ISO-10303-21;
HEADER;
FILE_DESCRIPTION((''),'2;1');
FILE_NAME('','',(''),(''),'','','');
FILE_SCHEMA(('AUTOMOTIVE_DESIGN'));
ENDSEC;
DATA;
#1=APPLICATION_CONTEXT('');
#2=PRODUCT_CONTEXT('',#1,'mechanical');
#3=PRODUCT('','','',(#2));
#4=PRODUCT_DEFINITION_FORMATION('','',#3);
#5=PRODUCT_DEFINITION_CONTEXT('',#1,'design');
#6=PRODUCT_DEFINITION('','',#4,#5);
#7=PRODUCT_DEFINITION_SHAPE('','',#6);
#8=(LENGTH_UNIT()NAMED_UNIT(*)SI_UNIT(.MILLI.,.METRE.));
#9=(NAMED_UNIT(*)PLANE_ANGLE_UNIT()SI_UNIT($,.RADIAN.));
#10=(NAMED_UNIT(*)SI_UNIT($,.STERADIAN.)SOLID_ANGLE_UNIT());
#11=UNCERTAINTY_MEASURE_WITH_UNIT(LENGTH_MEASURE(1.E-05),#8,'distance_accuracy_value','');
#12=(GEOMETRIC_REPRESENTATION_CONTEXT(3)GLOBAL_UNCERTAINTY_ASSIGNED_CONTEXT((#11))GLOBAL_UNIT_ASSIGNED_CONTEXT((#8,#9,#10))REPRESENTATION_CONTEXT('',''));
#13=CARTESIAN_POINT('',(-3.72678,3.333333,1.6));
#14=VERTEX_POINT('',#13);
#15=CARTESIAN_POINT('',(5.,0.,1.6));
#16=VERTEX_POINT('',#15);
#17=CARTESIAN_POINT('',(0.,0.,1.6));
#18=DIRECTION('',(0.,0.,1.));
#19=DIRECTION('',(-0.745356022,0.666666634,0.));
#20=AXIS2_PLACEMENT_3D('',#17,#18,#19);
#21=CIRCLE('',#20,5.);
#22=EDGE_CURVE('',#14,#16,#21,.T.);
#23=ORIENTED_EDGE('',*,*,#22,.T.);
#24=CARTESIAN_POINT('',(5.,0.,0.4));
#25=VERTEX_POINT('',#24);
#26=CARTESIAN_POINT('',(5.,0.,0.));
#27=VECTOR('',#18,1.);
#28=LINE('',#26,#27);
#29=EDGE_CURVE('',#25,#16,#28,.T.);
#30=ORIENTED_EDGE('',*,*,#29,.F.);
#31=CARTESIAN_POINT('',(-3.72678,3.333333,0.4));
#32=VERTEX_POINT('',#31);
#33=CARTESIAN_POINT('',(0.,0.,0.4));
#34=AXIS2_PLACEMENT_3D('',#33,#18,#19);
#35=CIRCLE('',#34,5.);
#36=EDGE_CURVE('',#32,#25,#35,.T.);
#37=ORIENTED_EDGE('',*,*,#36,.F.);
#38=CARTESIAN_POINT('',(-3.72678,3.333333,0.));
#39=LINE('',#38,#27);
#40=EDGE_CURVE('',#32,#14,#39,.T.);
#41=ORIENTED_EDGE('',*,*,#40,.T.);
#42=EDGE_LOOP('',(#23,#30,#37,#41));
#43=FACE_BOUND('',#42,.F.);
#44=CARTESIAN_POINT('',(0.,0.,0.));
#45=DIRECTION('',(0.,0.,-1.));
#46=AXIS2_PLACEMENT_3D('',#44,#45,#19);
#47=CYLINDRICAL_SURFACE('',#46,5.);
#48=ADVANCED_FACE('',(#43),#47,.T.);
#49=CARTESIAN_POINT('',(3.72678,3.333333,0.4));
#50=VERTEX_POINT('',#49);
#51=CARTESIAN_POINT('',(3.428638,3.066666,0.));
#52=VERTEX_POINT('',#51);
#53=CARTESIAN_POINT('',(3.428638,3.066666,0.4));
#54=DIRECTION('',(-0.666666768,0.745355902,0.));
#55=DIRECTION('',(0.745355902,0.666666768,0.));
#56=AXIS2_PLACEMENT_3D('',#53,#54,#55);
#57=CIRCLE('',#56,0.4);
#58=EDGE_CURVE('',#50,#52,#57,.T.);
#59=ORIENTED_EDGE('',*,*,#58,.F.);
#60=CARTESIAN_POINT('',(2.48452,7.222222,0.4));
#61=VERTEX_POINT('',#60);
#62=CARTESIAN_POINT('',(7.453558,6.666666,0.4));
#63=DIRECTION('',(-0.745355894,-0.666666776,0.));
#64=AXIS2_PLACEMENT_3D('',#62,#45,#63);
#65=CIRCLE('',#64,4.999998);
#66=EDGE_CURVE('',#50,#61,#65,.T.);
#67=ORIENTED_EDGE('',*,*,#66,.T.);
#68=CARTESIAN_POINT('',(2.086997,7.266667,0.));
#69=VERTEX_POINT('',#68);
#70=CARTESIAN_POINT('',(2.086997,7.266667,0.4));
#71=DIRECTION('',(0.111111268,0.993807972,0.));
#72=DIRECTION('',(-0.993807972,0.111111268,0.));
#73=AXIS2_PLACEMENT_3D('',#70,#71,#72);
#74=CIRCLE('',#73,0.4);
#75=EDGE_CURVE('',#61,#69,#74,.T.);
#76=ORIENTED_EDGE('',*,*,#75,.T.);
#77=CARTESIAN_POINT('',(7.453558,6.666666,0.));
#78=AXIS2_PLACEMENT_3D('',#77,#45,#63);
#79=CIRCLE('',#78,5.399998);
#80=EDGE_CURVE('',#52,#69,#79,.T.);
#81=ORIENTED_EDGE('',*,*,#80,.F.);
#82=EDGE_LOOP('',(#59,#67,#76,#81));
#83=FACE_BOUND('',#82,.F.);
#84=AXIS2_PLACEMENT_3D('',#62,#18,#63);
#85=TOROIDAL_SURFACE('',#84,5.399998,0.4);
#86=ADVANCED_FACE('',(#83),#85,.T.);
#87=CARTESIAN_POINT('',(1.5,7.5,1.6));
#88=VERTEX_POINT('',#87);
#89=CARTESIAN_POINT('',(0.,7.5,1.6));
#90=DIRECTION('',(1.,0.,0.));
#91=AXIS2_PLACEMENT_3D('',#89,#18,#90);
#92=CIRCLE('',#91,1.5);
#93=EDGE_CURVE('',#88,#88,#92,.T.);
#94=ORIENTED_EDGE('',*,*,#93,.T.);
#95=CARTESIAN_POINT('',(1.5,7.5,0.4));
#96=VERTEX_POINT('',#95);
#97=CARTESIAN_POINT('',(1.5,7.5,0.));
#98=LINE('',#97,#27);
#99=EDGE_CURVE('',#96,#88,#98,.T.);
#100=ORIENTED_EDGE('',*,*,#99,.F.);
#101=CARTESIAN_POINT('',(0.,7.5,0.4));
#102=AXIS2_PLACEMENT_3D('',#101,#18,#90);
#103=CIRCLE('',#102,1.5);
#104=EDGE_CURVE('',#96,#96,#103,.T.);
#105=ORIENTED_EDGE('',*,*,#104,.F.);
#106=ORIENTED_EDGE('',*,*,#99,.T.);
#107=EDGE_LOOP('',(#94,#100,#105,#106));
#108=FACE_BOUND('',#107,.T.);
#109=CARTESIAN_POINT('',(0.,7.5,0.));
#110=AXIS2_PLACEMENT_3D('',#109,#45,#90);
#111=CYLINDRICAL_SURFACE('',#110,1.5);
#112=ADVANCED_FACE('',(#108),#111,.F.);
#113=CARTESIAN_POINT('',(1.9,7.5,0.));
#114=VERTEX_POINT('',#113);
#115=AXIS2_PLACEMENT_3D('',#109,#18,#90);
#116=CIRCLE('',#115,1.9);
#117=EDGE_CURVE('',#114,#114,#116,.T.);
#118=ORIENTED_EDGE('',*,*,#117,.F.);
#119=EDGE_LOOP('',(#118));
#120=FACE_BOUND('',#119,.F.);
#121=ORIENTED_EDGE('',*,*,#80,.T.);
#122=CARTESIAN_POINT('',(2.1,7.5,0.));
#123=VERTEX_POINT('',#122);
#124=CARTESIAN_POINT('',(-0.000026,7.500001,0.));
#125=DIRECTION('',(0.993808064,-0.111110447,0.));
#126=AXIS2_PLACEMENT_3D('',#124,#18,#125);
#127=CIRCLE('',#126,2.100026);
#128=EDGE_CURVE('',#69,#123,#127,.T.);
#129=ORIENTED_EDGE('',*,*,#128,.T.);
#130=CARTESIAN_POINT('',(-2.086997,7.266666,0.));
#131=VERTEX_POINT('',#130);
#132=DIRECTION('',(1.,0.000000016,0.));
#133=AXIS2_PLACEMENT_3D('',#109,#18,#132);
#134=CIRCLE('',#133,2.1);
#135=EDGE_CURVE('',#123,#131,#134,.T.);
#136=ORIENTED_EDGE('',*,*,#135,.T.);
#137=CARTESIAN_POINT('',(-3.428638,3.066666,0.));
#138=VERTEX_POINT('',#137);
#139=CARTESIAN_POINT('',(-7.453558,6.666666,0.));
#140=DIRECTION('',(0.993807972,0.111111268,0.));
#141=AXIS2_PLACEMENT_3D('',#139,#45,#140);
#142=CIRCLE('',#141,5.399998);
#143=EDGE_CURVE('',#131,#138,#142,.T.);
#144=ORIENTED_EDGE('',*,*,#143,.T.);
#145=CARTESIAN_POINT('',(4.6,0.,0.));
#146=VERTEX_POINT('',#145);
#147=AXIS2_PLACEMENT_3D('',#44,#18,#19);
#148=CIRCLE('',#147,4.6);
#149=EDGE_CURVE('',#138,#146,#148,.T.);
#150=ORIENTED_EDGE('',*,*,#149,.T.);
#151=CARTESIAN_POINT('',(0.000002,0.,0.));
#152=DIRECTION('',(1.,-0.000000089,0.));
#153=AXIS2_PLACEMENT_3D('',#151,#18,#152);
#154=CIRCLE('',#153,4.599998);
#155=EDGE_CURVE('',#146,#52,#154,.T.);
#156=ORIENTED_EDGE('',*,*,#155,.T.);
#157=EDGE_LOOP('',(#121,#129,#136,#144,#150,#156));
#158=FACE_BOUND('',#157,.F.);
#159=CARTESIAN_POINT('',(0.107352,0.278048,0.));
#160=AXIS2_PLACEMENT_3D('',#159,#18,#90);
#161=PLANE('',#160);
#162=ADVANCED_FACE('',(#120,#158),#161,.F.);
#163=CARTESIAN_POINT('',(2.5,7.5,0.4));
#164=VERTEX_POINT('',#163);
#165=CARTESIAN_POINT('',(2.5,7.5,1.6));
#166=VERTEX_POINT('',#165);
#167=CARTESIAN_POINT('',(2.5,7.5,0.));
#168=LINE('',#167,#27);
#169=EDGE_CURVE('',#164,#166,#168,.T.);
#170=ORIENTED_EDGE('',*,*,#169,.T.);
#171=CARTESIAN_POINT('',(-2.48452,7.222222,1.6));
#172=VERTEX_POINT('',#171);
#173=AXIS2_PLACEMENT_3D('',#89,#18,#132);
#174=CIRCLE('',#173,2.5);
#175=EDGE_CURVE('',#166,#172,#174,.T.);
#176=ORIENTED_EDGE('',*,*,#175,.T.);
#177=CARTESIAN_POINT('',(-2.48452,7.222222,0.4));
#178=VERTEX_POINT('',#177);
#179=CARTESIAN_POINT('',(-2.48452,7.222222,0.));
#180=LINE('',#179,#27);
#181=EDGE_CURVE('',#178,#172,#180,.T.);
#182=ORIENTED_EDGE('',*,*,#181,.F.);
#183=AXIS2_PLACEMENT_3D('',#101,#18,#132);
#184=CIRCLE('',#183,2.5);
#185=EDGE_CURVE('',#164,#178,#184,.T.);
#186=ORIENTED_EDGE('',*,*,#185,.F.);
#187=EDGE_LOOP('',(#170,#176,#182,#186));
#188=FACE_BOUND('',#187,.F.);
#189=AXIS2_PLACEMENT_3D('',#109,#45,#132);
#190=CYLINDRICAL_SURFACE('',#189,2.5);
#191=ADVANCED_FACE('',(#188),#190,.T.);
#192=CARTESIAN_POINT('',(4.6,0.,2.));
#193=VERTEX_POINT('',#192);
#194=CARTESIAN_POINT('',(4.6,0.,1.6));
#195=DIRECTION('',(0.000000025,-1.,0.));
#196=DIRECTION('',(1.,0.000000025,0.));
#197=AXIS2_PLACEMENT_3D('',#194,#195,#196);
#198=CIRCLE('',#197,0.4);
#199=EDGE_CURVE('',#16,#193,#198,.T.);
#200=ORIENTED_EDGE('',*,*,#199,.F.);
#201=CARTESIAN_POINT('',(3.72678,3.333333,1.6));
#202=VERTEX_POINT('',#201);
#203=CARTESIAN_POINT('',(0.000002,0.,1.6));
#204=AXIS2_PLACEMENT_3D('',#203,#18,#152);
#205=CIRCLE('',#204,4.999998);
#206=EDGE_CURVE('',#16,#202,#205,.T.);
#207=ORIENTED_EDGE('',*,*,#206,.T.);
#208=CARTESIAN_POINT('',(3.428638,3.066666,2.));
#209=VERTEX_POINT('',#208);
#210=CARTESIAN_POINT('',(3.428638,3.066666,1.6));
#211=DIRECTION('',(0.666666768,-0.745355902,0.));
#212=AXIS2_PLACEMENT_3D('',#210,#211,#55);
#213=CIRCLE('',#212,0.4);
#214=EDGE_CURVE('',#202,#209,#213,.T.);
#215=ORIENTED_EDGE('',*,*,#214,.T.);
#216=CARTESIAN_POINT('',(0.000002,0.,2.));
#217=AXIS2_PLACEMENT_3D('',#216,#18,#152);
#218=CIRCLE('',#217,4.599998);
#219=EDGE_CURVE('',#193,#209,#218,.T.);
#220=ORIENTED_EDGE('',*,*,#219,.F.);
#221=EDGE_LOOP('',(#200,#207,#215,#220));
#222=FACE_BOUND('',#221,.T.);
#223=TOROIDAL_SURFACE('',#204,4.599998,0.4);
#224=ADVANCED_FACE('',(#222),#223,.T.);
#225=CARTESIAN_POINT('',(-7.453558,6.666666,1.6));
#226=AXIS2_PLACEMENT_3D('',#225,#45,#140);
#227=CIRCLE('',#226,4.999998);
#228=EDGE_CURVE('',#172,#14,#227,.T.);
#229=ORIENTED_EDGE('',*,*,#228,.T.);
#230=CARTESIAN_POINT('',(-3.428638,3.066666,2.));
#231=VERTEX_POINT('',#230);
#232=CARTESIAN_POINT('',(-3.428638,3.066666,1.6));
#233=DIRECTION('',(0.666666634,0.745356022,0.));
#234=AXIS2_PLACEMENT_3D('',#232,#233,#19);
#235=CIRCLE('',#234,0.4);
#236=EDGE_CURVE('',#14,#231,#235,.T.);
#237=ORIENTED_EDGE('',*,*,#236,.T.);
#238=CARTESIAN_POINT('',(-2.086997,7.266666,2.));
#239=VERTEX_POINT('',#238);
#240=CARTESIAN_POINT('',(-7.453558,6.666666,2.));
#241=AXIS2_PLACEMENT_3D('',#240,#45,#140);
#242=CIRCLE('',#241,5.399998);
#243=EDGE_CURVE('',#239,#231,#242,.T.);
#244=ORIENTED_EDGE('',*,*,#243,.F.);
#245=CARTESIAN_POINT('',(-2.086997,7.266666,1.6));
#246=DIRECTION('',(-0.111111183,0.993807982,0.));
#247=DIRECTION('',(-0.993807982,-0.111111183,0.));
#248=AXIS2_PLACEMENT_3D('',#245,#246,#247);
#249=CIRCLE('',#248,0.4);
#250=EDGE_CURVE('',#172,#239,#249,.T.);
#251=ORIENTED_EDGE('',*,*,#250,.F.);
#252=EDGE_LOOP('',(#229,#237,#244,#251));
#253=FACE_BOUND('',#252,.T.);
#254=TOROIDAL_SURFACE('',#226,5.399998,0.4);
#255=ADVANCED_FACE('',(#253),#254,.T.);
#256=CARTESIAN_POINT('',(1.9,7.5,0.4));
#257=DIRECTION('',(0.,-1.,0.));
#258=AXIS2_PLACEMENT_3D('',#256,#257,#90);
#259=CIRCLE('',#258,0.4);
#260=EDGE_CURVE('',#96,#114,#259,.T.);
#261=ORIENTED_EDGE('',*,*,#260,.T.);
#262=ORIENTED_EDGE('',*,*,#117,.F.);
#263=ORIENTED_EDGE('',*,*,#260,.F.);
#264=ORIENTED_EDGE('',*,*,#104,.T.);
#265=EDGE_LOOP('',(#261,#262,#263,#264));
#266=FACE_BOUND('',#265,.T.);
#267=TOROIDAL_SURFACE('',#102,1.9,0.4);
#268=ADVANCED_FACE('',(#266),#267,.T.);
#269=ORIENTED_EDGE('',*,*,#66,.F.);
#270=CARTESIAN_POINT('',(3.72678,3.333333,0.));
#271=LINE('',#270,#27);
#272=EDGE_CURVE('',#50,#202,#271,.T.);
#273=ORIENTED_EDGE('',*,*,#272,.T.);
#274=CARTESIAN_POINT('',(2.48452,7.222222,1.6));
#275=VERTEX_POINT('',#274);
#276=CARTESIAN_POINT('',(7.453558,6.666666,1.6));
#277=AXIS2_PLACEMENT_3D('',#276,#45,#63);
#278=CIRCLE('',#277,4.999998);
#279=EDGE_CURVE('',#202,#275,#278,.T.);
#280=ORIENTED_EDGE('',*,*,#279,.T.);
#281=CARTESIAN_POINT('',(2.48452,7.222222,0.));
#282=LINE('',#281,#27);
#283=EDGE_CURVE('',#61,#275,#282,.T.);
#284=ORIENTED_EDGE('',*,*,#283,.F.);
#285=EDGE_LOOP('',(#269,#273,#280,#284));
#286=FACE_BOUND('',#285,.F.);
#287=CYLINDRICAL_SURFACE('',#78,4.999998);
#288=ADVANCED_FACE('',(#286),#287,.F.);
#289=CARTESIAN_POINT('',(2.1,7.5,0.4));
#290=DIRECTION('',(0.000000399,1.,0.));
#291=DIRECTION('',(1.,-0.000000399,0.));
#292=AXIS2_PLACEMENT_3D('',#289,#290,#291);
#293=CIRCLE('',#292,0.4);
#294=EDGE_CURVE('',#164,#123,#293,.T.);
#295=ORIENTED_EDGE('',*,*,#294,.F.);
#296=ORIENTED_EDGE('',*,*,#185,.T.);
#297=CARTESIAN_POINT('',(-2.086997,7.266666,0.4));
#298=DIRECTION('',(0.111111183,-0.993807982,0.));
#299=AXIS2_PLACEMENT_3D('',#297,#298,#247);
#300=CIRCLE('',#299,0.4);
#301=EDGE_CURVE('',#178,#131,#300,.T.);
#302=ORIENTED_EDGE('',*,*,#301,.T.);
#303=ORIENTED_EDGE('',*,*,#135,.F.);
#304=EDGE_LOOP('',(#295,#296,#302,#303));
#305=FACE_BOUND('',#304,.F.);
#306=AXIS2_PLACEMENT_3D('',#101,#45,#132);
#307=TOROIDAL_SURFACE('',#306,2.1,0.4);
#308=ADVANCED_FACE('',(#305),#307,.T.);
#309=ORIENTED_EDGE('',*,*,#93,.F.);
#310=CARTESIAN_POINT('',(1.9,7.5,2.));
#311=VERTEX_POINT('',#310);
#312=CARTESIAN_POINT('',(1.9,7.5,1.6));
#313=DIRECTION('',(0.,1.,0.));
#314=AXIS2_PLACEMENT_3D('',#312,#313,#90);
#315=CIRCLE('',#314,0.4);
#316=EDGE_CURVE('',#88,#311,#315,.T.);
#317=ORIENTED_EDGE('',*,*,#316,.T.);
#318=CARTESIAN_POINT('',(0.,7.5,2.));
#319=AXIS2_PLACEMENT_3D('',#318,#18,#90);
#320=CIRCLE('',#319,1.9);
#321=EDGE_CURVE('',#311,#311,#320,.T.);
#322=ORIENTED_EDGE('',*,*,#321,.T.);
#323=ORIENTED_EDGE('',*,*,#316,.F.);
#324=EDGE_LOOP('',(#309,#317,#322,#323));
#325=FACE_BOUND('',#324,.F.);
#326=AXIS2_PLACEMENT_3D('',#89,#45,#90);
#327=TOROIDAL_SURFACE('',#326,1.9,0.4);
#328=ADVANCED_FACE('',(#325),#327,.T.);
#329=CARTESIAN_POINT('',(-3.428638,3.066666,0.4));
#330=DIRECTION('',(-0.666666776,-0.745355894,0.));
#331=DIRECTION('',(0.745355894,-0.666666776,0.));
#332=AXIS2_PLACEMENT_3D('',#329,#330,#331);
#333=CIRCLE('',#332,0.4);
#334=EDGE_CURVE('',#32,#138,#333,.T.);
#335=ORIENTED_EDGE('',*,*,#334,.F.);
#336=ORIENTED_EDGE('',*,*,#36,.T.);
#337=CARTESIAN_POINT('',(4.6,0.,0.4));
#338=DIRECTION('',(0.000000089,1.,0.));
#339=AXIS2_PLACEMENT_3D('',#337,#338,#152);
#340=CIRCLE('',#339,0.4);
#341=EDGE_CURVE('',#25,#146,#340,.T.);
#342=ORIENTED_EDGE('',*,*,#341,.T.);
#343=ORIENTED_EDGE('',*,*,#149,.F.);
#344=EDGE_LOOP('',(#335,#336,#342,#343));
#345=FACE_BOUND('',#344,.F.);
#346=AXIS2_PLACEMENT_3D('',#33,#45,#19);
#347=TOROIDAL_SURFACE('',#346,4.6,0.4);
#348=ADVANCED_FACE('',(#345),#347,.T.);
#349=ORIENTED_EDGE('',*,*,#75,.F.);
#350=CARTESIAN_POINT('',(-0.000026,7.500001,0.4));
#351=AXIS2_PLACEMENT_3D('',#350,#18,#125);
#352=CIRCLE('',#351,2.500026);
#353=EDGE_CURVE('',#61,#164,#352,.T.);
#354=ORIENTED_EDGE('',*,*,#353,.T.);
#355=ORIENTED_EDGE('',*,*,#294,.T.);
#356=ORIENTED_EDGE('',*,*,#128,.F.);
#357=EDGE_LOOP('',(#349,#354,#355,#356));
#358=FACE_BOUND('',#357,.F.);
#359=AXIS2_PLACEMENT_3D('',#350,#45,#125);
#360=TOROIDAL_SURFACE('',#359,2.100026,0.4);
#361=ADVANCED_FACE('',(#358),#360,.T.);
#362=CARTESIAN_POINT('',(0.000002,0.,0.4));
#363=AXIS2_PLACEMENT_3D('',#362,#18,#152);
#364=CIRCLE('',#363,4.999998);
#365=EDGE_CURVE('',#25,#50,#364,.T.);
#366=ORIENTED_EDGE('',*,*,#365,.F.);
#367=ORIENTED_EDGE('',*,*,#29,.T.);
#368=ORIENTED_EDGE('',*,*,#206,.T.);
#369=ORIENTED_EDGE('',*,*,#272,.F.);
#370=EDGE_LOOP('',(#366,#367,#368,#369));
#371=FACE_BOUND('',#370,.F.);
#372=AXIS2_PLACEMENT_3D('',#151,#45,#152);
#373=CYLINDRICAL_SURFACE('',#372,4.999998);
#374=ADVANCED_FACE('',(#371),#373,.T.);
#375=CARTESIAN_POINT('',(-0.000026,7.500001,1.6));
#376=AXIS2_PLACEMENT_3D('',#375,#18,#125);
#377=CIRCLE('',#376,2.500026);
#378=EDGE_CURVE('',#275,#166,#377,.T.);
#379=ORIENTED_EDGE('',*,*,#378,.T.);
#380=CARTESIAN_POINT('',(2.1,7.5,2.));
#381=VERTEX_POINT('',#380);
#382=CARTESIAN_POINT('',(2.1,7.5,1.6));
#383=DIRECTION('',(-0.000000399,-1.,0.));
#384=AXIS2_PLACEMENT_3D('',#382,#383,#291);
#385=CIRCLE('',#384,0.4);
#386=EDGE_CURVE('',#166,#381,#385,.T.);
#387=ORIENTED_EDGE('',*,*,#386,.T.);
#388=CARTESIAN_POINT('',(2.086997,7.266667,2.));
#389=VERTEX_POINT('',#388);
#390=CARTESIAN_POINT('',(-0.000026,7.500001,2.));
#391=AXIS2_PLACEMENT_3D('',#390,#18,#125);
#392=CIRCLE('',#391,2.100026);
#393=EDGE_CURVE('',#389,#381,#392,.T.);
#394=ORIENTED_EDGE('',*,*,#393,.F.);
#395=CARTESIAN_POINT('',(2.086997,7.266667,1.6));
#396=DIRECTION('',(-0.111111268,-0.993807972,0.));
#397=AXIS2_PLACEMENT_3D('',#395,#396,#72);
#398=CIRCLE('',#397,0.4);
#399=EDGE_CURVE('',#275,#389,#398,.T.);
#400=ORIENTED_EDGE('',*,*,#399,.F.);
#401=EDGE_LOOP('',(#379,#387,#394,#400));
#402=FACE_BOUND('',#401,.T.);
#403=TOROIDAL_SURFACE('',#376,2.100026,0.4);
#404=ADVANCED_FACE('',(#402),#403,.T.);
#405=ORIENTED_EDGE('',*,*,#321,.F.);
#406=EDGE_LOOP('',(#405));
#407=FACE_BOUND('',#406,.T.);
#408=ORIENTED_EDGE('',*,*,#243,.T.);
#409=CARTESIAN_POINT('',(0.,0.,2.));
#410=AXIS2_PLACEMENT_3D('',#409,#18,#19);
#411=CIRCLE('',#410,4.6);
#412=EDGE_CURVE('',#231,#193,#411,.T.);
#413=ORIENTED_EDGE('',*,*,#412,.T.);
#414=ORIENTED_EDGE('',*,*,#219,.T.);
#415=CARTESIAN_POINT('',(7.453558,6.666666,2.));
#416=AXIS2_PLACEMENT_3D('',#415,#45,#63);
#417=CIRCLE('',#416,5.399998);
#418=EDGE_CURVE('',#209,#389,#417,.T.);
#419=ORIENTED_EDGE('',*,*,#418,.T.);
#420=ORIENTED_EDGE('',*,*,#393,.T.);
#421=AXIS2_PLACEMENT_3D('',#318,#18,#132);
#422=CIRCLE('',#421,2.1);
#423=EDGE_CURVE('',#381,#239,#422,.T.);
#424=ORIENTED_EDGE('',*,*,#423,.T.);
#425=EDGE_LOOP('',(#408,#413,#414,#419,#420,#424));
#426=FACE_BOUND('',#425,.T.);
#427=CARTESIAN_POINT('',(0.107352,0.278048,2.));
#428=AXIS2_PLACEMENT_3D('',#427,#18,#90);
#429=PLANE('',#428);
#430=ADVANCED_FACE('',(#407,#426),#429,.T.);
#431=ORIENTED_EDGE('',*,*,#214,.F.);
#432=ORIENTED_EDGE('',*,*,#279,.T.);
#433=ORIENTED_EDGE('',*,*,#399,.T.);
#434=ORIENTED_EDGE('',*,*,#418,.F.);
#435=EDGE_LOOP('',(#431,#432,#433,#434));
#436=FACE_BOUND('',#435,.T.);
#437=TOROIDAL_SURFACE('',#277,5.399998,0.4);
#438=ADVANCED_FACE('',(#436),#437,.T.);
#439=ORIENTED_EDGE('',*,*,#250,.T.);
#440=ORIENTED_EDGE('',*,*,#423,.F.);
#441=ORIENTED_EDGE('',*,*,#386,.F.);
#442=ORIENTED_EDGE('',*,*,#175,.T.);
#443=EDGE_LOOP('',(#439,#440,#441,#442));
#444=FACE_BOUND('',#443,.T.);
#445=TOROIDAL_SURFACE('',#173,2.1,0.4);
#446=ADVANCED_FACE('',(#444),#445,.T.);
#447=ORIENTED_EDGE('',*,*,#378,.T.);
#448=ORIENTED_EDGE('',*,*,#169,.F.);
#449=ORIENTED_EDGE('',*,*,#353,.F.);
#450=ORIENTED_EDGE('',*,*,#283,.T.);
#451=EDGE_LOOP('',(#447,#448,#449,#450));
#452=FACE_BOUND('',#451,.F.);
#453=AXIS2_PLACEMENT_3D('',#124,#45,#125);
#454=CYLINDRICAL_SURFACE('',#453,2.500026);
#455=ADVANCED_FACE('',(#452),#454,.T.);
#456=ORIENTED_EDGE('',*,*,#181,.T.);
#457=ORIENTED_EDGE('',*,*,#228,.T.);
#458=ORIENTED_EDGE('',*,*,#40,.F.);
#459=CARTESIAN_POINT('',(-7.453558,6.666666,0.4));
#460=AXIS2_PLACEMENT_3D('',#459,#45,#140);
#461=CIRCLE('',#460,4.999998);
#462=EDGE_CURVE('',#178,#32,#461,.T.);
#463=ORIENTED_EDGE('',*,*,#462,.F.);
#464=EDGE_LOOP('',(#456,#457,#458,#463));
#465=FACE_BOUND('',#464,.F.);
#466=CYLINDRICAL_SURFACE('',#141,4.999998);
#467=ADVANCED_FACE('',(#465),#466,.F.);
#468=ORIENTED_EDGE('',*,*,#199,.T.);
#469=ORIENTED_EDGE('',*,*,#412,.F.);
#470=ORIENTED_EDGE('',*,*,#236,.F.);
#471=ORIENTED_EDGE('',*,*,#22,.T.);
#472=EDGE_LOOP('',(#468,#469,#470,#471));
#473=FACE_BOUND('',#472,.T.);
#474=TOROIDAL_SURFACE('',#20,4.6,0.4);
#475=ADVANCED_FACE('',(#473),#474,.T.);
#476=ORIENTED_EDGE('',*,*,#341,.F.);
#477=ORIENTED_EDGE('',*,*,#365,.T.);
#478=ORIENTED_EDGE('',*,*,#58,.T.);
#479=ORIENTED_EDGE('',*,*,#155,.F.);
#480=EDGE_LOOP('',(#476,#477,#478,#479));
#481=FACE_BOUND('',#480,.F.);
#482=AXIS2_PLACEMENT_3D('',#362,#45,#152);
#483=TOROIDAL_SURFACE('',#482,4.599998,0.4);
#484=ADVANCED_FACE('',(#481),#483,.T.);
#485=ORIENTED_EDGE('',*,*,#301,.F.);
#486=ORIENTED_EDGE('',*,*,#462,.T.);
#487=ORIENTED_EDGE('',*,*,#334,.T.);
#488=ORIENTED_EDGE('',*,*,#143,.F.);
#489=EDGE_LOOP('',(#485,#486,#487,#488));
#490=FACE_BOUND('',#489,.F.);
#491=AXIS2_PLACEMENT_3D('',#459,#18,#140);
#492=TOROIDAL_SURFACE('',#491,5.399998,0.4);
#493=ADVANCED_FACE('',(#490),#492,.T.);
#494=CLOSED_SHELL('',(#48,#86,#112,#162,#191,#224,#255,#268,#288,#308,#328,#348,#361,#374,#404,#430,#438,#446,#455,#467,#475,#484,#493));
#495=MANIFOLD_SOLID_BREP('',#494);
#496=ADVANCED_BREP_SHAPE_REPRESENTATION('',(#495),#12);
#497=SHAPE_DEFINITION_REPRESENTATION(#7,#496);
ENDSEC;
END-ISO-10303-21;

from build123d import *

# Parameters (mm, degrees)
F0_R     = 1.5
F1_DEPTH = 2
F2_R     = 0.4


with BuildPart() as f1:
    # F0 (on Top) → F1 (new body)
    with BuildSketch(Plane.XY):
        with BuildLine():
            ThreePointArc((-3.72678, 3.333333), (-1.78411, -4.670862), (5, 0))
            ThreePointArc((5, 0), (4.670862, 1.78411), (3.72678, 3.333333))
            ThreePointArc((3.72678, 3.333333), (2.041241, 4.564355), (0, 5))
            ThreePointArc((0, 5), (-2.041241, 4.564355), (-3.72678, 3.333333))
        make_face()
        with BuildLine():
            ThreePointArc((0, 5), (2.041241, 4.564355), (3.72678, 3.333333))
            ThreePointArc((3.72678, 3.333333), (2.690663, 5.145215), (2.48452, 7.222222))
            ThreePointArc((2.48452, 7.222222), (1.666667, 5.63661), (0, 5))
        make_face()
        with BuildLine():
            ThreePointArc((-2.48452, 7.222222), (-2.690663, 5.145215), (-3.72678, 3.333333))
            ThreePointArc((-3.72678, 3.333333), (-2.041241, 4.564355), (0, 5))
            ThreePointArc((0, 5), (-1.666667, 5.63661), (-2.48452, 7.222222))
        make_face()
        with BuildLine():
            ThreePointArc((-2.48452, 7.222222), (-1.666667, 5.63661), (0, 5))
            ThreePointArc((0, 5), (1.666667, 5.63661), (2.48452, 7.222222))
            ThreePointArc((2.48452, 7.222222), (2.496127, 7.360896), (2.5, 7.5))
            ThreePointArc((2.5, 7.5), (-0.139104, 9.996127), (-2.48452, 7.222222))
        make_face()
        with Locations((0, 7.5)):
            Circle(F0_R, mode=Mode.SUBTRACT)
    extrude(amount=F1_DEPTH)

    # F2
    f2_edges = [f1.edges().sort_by_distance(p)[0] for p in [
        (4.670862, 1.78411, 0),
        (2.690663, 5.145215, 0),
        (0, 10, 0),
        (-2.690663, 5.145215, 0),
        (-1.78411, -4.670862, 0),
        (-1.5, 7.5, 0),
        (-1.78411, -4.670862, 2),
        (4.670862, 1.78411, 2),
        (2.690663, 5.145215, 2),
        (0, 10, 2),
        (-2.690663, 5.145215, 2),
        (-1.5, 7.5, 2),
    ]]
    fillet(f2_edges, radius=F2_R)


solid = f1.part
